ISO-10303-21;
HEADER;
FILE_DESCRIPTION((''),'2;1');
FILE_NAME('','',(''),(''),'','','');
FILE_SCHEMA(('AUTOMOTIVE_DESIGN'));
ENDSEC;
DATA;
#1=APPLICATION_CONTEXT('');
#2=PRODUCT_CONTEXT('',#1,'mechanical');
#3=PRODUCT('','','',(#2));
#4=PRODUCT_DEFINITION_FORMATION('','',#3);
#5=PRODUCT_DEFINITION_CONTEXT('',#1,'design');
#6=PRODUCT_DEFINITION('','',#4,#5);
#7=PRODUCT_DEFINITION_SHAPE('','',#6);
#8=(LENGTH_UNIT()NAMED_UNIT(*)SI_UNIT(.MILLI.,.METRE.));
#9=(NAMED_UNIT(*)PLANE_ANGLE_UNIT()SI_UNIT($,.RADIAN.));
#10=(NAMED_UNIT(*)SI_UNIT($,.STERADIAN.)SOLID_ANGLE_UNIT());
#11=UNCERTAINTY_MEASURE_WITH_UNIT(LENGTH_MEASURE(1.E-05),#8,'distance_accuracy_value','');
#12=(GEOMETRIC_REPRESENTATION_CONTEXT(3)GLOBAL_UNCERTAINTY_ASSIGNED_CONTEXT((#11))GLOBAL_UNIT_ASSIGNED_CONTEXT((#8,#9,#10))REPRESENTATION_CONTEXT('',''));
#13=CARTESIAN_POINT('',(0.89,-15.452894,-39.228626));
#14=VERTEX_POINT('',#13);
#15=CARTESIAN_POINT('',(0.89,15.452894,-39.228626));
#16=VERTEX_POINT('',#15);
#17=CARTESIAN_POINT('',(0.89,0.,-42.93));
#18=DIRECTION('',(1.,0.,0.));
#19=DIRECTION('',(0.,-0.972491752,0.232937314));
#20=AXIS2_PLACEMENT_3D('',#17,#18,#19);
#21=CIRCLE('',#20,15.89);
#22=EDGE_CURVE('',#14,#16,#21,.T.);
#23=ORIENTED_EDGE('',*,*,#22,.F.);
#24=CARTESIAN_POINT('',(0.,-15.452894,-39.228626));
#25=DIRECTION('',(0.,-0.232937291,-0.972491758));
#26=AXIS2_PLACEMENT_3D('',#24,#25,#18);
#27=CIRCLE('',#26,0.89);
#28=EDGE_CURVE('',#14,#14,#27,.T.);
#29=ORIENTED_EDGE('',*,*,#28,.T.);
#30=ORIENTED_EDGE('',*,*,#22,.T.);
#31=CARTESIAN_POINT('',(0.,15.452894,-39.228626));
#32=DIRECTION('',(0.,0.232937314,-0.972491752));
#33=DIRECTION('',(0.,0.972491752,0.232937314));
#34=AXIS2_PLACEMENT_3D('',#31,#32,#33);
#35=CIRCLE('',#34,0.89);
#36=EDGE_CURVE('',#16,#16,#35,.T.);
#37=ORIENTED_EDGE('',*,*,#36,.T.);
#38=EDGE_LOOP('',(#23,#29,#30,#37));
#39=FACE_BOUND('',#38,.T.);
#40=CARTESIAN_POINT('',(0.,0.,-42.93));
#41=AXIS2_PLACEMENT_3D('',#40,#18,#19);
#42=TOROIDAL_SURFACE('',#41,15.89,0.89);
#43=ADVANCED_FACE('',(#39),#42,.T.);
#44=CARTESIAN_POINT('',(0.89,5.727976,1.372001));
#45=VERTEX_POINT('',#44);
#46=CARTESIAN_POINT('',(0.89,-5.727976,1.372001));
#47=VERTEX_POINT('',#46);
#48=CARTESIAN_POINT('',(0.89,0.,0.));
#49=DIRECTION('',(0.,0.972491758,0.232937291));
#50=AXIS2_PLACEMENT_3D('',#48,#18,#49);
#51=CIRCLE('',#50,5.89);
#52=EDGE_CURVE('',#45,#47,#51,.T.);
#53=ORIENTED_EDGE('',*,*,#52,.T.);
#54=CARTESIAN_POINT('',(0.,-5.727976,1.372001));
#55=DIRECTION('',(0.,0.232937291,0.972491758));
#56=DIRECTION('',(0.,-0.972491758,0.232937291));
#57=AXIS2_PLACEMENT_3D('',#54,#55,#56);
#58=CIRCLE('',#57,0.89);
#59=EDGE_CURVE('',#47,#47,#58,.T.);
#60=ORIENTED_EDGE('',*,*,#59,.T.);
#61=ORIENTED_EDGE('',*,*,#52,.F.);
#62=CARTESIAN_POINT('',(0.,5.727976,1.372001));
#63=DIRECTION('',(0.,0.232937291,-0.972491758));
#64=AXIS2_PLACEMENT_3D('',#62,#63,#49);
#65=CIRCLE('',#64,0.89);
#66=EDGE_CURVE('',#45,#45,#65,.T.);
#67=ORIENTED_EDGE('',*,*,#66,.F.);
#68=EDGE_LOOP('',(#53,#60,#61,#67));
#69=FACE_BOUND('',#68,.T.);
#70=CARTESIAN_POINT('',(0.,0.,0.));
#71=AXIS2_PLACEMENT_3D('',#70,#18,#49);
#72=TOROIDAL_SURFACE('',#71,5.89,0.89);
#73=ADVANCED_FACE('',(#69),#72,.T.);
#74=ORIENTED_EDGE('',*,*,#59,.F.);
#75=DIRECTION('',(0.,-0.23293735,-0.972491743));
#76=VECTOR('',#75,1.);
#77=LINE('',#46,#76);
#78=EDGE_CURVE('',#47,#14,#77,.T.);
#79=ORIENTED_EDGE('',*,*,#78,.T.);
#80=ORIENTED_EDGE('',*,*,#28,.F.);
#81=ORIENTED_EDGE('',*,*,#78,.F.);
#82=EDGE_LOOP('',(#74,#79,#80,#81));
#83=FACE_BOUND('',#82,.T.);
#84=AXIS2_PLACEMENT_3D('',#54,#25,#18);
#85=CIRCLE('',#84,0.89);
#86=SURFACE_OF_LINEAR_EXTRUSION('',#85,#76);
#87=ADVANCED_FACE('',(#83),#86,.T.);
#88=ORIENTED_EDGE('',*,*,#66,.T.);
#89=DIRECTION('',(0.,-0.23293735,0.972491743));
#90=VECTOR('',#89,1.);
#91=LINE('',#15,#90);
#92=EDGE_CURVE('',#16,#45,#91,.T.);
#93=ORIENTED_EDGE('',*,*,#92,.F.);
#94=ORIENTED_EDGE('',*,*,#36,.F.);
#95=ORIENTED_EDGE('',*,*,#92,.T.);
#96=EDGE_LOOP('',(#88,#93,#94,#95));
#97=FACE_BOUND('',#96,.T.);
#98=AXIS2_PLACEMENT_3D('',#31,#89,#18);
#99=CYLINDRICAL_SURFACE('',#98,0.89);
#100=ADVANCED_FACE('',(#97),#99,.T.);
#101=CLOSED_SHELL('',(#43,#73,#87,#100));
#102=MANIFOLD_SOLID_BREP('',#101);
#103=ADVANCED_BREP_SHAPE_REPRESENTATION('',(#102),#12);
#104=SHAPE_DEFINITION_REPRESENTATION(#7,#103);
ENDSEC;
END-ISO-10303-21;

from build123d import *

# Parameters (mm, degrees)
SKETCH001_R = 0.89


with BuildPart() as part:
    # AdditivePipe: sweep along a path in Sketch
    with BuildLine(Plane.YZ) as additivepipe_path:
        ThreePointArc((5.727976, 1.372001), (0, 5.89), (-5.727976, 1.372001))
        Line((-5.727976, 1.372001), (-15.452894, -39.228626))
        ThreePointArc((-15.452894, -39.228626), (0, -58.82), (15.452894, -39.228626))
        Line((15.452894, -39.228626), (5.727976, 1.372001))
    # Sketch001 → AdditivePipe (sweep)
    with BuildSketch(Plane.XZ):
        with Locations((0, 5.89)):
            Circle(SKETCH001_R)
    sweep(path=additivepipe_path.line)


solid = part.part
